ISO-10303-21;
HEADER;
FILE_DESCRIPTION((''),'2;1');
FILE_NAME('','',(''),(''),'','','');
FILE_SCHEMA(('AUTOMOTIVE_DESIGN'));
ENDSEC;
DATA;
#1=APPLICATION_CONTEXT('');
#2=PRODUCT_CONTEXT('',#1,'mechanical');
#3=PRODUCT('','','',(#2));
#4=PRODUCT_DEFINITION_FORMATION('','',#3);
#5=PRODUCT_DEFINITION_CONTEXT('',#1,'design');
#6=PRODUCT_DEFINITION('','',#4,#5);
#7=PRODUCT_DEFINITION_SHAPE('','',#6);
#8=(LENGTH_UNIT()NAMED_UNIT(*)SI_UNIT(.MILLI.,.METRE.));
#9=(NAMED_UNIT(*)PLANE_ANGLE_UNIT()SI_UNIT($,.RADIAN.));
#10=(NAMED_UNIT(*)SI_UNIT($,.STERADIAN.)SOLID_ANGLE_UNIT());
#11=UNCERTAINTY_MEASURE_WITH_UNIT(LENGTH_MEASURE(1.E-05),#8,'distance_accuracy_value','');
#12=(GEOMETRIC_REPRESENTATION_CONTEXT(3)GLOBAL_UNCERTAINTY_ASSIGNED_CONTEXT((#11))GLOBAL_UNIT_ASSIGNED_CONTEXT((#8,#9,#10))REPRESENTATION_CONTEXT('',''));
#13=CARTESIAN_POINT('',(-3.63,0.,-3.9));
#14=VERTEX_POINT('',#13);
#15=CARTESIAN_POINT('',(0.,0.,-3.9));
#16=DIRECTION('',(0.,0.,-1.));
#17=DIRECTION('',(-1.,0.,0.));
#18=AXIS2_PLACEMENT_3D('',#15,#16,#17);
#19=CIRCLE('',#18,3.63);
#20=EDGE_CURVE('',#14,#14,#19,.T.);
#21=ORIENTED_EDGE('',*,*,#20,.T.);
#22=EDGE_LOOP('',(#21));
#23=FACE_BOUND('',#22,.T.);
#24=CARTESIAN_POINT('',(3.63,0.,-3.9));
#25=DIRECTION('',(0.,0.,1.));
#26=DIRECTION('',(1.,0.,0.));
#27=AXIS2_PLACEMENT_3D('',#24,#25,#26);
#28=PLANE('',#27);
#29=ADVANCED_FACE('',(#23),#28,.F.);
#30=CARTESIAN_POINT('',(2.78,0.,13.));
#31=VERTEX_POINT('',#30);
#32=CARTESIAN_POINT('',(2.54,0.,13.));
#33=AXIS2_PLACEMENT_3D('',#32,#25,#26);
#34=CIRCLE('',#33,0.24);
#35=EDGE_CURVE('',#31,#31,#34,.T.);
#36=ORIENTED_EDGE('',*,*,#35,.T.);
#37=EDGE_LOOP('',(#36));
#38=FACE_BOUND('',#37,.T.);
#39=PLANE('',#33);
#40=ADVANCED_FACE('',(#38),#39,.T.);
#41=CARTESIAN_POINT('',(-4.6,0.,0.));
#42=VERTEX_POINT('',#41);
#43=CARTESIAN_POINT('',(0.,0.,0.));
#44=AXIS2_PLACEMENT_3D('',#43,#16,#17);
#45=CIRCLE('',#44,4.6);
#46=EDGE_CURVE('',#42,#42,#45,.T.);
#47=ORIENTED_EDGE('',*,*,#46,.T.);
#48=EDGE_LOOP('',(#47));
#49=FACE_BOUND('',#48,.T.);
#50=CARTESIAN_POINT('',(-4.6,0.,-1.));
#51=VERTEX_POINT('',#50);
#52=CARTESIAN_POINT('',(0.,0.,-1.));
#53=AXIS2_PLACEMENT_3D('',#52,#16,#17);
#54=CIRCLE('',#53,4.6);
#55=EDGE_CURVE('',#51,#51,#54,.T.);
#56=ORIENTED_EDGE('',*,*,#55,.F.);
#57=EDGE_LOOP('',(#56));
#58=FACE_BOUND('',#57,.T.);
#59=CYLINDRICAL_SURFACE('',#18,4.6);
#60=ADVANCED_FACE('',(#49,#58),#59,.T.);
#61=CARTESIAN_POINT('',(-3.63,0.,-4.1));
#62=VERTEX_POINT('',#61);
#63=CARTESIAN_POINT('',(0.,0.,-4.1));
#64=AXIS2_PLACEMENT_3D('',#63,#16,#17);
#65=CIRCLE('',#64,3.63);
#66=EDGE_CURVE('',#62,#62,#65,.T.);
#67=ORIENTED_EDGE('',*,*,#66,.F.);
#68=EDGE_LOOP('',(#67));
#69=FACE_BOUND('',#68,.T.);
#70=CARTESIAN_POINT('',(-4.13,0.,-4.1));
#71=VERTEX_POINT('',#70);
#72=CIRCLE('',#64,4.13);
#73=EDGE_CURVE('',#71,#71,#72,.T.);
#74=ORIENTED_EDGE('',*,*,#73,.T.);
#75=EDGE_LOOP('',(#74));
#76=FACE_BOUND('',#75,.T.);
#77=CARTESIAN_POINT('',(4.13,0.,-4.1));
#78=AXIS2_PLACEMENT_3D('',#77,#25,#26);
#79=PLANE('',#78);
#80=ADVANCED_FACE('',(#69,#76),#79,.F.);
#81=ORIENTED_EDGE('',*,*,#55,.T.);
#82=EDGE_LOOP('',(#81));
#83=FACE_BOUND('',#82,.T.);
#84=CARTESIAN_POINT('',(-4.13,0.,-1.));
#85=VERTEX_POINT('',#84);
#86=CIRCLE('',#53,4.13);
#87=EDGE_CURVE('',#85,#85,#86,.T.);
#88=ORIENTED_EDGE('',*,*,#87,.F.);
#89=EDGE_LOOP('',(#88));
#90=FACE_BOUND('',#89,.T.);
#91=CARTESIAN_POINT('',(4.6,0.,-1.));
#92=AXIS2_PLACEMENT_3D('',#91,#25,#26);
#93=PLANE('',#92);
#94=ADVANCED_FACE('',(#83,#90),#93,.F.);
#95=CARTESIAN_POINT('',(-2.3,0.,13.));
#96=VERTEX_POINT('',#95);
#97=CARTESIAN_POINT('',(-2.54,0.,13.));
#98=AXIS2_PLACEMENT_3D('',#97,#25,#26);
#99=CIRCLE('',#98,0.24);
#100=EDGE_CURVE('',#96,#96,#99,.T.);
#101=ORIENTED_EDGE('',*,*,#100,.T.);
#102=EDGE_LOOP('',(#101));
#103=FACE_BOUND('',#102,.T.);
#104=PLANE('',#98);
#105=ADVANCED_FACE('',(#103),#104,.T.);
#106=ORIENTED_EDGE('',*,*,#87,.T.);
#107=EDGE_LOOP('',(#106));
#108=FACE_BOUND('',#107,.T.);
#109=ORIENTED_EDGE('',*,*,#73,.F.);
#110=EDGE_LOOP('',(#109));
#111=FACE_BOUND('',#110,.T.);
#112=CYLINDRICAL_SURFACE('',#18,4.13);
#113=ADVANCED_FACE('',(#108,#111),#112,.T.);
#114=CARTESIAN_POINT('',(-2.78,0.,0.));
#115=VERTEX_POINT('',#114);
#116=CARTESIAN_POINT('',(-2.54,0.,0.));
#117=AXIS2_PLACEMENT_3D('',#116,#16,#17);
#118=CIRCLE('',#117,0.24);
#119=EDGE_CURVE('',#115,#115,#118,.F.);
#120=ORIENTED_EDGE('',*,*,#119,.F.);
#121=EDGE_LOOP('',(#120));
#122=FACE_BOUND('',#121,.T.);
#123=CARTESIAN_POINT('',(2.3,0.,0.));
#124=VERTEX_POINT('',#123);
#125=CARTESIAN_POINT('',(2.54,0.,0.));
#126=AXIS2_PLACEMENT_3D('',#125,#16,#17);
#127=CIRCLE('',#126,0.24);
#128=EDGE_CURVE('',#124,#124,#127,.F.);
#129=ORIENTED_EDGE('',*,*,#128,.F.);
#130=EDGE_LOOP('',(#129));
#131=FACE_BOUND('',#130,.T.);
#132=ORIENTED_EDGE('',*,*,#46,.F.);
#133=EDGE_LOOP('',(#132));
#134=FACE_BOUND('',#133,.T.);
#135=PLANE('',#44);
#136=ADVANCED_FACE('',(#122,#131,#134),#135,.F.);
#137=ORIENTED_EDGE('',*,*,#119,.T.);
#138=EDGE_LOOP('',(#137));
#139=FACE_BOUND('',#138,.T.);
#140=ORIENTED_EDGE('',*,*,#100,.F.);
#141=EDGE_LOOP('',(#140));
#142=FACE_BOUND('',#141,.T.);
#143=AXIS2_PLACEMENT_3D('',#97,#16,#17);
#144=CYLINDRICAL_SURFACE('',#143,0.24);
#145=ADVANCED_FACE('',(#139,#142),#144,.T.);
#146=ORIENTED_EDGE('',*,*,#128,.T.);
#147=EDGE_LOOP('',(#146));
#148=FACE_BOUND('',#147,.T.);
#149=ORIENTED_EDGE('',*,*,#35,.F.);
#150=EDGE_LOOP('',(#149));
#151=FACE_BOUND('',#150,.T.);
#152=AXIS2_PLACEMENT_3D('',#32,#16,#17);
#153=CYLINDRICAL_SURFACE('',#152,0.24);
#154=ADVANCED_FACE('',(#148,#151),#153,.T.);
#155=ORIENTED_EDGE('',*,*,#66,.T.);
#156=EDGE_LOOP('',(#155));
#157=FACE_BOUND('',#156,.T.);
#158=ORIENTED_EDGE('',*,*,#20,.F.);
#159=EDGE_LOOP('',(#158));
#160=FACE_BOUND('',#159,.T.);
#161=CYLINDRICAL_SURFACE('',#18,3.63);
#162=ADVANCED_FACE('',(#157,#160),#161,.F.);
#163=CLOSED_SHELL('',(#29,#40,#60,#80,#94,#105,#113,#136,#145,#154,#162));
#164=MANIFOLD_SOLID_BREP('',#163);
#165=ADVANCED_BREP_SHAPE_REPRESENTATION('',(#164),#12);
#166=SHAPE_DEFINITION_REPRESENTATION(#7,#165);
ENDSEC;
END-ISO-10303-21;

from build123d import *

# Parameters (mm, degrees)
SKETCH2_R           = 0.24
BOSS_EXTRUDE1_DEPTH = 13


with BuildPart() as part:
    # Sketch1 → Revolve1 (revolve)
    with BuildSketch(Plane(origin=(0, 0, 0), x_dir=(1, 0, 0), z_dir=(0, 1, 0))):
        Polygon((0, 0), (4.6, 0), (4.6, 1), (4.13, 1), (4.13, 4.1), (3.63, 4.1), (3.63, 3.9), (0, 3.9), align=None)
    revolve(axis=Axis((0, 0, -3.9), (0, 0, 1)))

    # Sketch2 → Boss-Extrude1 (add)
    with BuildSketch(Plane.XY):
        with Locations((-2.54, 0)):
            Circle(SKETCH2_R)
        with Locations((2.54, 0)):
            Circle(SKETCH2_R)
    extrude(amount=BOSS_EXTRUDE1_DEPTH)


solid = part.part
